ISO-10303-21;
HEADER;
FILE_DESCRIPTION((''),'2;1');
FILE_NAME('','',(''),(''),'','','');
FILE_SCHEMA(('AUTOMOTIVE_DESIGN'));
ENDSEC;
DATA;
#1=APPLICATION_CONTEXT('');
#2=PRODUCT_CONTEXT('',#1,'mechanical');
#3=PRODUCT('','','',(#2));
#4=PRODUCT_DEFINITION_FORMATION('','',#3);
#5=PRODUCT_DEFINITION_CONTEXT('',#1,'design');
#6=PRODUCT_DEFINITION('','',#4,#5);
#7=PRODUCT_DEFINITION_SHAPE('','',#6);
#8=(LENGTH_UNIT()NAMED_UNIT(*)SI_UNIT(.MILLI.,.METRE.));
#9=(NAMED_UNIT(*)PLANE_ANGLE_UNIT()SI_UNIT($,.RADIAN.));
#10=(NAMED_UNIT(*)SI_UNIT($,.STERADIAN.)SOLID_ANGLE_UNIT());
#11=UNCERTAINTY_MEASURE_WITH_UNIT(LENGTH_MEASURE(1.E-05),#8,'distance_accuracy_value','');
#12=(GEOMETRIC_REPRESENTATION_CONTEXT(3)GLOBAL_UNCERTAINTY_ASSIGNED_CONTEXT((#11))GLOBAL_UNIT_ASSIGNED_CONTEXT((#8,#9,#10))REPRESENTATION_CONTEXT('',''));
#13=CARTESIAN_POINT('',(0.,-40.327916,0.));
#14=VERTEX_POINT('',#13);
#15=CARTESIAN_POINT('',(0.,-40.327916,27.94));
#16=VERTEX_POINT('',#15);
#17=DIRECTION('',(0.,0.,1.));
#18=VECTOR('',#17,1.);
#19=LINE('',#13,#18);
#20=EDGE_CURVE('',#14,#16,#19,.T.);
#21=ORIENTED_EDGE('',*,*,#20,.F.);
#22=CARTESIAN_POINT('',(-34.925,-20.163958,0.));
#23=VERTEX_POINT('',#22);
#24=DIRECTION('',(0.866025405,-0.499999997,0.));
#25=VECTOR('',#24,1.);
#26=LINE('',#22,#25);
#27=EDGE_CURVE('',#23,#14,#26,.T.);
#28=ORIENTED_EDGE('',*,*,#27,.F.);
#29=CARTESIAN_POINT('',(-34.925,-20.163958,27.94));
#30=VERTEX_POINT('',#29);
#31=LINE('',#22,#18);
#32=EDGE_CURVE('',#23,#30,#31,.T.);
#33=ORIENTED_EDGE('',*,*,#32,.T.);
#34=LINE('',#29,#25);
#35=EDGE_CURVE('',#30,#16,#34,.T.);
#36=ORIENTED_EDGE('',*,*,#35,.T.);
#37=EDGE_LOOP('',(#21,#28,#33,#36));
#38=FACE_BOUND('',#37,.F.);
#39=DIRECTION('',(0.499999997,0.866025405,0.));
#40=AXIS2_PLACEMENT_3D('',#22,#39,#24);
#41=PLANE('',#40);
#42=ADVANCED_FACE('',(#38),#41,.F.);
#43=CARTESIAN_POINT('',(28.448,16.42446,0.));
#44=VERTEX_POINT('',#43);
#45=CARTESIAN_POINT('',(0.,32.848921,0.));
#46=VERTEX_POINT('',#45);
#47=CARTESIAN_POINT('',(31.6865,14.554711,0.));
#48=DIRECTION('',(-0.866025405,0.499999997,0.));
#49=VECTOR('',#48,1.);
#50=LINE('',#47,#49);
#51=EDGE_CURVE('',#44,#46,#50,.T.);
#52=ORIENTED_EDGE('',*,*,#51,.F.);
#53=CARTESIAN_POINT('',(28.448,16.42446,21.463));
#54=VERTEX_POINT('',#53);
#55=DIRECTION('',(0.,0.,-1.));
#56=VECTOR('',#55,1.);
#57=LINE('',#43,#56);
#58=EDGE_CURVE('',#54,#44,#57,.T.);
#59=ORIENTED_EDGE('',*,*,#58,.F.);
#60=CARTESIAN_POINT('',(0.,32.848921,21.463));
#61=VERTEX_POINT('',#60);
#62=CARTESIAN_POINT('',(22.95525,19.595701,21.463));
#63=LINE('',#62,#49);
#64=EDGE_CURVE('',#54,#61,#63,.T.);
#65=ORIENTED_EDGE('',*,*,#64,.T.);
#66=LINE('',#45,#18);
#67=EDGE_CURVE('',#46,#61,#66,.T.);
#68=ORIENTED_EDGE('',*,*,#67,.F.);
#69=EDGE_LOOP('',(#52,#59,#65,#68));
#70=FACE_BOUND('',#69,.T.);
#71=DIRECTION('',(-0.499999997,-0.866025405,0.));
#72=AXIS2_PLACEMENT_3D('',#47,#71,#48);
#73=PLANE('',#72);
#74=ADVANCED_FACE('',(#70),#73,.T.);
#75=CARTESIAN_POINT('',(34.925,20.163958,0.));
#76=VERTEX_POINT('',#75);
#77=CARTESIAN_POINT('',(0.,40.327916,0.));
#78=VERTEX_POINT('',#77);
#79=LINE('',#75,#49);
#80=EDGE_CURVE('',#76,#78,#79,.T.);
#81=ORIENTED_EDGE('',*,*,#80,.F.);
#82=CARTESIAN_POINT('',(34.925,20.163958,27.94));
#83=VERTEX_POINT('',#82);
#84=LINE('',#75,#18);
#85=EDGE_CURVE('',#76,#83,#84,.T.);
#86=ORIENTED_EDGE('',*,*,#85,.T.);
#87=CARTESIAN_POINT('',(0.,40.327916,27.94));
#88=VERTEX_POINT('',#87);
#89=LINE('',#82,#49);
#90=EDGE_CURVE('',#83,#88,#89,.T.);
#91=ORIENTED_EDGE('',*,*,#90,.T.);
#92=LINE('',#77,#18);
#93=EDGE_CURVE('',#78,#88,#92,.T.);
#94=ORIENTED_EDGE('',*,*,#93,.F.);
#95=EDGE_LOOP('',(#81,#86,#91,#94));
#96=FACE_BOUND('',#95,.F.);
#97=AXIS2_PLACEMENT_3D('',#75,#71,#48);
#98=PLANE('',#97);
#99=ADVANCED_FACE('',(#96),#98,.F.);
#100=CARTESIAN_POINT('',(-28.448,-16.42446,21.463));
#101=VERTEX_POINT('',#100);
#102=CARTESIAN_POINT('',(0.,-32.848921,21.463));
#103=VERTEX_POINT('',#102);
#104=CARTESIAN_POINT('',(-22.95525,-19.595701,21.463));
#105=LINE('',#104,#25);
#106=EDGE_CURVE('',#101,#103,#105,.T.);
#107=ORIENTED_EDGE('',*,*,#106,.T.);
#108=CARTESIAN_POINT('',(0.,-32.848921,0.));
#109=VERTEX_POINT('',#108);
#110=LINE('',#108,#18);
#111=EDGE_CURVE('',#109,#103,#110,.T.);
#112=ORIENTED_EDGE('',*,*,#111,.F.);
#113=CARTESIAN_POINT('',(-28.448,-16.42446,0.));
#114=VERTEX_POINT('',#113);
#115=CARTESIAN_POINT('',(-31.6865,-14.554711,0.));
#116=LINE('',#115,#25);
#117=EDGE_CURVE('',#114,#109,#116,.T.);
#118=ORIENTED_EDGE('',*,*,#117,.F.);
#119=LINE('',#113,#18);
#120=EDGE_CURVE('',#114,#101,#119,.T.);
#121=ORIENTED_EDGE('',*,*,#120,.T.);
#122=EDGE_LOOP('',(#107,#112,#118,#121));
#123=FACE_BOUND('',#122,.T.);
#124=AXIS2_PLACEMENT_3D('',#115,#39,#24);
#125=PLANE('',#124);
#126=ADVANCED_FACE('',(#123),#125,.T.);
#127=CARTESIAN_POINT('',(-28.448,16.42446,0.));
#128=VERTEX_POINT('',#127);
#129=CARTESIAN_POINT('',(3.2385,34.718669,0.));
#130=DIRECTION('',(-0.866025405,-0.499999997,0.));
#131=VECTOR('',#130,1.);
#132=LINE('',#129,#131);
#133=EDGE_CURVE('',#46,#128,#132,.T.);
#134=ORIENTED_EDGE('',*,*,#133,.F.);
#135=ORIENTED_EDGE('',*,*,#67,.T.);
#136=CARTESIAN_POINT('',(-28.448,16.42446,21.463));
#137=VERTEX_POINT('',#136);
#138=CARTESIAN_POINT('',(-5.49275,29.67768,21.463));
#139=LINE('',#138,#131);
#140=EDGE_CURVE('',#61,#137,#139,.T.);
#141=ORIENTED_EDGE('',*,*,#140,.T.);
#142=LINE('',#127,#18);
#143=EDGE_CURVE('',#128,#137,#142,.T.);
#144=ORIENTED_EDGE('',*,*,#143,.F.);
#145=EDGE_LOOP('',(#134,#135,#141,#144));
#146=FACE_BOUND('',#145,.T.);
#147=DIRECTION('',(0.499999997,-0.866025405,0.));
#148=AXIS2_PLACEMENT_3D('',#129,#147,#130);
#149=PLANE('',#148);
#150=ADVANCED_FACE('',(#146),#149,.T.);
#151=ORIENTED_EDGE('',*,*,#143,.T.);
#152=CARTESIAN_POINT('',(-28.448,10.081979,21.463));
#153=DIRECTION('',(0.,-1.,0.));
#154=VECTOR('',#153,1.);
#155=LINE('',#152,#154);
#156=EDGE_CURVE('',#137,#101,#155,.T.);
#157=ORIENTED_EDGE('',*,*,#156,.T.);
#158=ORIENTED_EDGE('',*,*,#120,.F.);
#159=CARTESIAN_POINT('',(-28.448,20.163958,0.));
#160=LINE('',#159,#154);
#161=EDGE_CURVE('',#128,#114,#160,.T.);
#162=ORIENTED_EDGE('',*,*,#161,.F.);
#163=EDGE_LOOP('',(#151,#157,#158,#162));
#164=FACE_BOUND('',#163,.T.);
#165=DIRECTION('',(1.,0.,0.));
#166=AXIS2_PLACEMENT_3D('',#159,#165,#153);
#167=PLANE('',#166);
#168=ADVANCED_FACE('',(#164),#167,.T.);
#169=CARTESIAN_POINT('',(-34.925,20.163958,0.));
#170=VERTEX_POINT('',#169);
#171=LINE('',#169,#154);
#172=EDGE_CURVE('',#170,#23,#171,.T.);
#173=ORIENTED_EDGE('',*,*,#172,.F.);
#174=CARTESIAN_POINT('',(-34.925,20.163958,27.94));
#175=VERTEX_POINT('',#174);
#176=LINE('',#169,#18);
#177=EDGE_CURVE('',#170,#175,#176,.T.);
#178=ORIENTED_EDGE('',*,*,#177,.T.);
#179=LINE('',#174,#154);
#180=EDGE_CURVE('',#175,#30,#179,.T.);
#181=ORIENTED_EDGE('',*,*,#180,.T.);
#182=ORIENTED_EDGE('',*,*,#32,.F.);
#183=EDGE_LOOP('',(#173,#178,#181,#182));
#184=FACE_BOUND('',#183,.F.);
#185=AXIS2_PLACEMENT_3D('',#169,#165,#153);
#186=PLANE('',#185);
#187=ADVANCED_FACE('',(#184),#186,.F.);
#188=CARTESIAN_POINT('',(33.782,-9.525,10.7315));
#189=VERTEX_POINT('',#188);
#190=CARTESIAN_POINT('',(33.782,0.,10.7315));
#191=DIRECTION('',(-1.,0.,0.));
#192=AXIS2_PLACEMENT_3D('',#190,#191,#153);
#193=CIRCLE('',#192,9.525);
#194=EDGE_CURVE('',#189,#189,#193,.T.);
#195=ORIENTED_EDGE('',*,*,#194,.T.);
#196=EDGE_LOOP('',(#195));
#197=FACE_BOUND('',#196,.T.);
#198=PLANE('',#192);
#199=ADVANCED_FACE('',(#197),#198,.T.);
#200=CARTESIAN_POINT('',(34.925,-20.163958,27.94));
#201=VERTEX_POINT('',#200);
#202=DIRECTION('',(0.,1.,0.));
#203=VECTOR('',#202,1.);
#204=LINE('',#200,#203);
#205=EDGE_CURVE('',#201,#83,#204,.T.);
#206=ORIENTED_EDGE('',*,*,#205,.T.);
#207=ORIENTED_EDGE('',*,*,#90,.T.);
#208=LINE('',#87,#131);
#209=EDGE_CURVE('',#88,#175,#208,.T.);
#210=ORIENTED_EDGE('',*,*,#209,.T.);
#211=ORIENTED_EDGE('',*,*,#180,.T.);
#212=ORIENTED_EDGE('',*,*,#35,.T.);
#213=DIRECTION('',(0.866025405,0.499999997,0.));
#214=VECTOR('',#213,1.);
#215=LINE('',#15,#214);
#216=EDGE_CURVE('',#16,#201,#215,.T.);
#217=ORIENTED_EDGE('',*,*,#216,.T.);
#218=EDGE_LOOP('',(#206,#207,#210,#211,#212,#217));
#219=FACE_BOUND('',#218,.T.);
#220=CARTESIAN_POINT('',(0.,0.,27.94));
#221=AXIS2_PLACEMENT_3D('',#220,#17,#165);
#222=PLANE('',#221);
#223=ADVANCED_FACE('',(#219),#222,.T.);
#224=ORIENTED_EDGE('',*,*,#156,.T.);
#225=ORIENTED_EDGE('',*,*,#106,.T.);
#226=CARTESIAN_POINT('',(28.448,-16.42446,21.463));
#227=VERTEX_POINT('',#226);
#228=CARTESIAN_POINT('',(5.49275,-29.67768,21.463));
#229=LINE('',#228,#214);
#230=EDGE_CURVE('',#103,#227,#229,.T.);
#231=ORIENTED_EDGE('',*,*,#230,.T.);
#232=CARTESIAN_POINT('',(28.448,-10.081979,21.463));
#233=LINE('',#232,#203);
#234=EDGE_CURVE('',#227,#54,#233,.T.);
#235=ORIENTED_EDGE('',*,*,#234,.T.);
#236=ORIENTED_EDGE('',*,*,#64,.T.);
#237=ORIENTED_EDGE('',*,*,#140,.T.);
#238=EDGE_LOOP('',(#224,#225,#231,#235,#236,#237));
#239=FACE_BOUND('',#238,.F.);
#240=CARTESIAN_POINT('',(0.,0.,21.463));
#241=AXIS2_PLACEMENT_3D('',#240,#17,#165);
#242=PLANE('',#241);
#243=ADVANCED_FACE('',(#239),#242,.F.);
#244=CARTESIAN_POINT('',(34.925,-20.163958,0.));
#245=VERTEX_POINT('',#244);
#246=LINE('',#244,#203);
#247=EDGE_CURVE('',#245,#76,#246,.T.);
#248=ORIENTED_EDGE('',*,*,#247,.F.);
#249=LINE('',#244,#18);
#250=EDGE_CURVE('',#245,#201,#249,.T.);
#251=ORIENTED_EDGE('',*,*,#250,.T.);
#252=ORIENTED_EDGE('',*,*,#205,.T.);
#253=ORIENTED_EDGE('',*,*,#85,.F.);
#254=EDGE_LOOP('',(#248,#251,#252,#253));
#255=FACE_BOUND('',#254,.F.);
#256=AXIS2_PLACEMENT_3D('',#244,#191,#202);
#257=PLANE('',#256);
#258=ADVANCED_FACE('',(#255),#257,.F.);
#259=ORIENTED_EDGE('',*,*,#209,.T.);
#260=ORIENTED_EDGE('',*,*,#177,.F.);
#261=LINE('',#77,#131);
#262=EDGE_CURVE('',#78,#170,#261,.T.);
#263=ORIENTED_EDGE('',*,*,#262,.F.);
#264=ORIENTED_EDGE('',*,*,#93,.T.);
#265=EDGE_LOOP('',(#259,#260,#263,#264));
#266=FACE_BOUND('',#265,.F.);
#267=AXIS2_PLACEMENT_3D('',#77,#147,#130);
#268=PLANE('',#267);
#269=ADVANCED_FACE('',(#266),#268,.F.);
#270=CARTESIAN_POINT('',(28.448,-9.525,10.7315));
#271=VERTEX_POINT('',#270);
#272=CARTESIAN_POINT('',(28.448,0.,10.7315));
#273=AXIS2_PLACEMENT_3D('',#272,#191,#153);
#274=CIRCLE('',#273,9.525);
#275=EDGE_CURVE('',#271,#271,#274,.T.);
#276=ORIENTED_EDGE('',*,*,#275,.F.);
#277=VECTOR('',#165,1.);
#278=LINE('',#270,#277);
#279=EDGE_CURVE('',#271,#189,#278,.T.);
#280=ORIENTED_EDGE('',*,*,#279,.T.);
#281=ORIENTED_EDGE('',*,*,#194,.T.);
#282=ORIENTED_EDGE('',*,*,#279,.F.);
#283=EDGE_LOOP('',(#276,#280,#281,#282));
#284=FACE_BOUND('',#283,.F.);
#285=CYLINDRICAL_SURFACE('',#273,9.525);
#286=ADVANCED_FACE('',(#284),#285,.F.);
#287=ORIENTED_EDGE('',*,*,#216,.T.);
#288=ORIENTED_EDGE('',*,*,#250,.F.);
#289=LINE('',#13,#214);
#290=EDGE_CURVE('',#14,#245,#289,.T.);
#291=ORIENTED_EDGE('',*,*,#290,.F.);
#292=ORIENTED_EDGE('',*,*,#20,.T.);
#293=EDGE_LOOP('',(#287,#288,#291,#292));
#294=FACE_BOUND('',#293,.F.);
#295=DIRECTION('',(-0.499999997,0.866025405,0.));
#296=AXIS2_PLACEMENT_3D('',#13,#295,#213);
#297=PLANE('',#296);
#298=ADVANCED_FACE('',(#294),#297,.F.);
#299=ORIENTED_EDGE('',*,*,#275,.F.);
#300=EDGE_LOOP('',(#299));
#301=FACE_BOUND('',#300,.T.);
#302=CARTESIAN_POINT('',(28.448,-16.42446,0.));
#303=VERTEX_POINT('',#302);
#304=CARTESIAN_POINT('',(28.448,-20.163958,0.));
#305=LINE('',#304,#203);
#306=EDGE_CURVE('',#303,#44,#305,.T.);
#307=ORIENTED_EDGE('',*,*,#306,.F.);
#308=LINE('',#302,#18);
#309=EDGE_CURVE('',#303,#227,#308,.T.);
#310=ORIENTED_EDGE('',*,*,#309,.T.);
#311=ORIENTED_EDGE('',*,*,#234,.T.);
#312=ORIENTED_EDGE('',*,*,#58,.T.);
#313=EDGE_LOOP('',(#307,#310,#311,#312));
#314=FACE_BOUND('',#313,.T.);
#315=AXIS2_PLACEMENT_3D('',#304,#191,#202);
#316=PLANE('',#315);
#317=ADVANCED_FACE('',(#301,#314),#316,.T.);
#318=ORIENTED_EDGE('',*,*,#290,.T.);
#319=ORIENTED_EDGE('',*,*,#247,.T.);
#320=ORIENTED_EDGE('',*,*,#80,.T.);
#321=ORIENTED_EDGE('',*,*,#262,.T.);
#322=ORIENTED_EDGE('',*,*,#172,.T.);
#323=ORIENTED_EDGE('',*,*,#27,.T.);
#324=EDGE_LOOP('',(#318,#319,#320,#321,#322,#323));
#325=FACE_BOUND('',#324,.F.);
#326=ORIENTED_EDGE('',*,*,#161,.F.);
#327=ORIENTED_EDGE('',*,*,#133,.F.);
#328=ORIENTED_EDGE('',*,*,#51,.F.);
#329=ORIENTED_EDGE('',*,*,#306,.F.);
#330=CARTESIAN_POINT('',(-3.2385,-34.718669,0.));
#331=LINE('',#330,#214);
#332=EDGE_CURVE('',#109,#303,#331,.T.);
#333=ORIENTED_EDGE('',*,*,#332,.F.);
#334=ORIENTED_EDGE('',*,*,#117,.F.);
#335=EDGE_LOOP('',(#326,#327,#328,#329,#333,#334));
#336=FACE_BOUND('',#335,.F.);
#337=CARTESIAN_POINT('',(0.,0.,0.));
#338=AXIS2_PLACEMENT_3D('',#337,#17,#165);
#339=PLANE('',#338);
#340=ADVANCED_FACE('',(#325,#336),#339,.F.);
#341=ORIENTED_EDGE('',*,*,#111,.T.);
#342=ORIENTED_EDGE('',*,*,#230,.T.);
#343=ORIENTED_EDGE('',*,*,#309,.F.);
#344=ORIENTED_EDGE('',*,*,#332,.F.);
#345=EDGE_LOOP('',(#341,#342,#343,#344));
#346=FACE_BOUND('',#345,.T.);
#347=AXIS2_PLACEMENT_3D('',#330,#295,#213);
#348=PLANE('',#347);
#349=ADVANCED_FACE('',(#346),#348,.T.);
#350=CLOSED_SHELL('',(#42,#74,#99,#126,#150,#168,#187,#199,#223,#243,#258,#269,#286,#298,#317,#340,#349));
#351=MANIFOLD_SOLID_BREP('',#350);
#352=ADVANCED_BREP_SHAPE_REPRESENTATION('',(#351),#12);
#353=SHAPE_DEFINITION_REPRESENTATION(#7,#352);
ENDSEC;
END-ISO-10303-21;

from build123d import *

# Parameters (mm, degrees)
F1_DEPTH = 27.94
F2_T     = -6.477
F3_R     = 9.525
F4_DEPTH = 5.334


with BuildPart() as f1:
    # F0 (on Top) → F1 (new body)
    with BuildSketch(Plane.XY):
        Polygon((34.925, 20.163958), (0, 40.327916), (-34.925, 20.163958), (-34.925, -20.163958), (0, -40.327916), (34.925, -20.163958), align=None)
    extrude(amount=F1_DEPTH)

    # F2
    f2_openings = [f1.faces().sort_by_distance(p)[0] for p in [
        (0, 0, 0),
    ]]
    offset(amount=F2_T, openings=f2_openings)

    # F3 (on face) → F4 (cut)
    with BuildSketch(Plane(origin=(28.448, 0, 0), x_dir=(0, -1, 0), z_dir=(-1, 0, 0))):
        with Locations((0, 10.7315)):
            Circle(F3_R)
    extrude(amount=-F4_DEPTH, mode=Mode.SUBTRACT)


solid = f1.part
